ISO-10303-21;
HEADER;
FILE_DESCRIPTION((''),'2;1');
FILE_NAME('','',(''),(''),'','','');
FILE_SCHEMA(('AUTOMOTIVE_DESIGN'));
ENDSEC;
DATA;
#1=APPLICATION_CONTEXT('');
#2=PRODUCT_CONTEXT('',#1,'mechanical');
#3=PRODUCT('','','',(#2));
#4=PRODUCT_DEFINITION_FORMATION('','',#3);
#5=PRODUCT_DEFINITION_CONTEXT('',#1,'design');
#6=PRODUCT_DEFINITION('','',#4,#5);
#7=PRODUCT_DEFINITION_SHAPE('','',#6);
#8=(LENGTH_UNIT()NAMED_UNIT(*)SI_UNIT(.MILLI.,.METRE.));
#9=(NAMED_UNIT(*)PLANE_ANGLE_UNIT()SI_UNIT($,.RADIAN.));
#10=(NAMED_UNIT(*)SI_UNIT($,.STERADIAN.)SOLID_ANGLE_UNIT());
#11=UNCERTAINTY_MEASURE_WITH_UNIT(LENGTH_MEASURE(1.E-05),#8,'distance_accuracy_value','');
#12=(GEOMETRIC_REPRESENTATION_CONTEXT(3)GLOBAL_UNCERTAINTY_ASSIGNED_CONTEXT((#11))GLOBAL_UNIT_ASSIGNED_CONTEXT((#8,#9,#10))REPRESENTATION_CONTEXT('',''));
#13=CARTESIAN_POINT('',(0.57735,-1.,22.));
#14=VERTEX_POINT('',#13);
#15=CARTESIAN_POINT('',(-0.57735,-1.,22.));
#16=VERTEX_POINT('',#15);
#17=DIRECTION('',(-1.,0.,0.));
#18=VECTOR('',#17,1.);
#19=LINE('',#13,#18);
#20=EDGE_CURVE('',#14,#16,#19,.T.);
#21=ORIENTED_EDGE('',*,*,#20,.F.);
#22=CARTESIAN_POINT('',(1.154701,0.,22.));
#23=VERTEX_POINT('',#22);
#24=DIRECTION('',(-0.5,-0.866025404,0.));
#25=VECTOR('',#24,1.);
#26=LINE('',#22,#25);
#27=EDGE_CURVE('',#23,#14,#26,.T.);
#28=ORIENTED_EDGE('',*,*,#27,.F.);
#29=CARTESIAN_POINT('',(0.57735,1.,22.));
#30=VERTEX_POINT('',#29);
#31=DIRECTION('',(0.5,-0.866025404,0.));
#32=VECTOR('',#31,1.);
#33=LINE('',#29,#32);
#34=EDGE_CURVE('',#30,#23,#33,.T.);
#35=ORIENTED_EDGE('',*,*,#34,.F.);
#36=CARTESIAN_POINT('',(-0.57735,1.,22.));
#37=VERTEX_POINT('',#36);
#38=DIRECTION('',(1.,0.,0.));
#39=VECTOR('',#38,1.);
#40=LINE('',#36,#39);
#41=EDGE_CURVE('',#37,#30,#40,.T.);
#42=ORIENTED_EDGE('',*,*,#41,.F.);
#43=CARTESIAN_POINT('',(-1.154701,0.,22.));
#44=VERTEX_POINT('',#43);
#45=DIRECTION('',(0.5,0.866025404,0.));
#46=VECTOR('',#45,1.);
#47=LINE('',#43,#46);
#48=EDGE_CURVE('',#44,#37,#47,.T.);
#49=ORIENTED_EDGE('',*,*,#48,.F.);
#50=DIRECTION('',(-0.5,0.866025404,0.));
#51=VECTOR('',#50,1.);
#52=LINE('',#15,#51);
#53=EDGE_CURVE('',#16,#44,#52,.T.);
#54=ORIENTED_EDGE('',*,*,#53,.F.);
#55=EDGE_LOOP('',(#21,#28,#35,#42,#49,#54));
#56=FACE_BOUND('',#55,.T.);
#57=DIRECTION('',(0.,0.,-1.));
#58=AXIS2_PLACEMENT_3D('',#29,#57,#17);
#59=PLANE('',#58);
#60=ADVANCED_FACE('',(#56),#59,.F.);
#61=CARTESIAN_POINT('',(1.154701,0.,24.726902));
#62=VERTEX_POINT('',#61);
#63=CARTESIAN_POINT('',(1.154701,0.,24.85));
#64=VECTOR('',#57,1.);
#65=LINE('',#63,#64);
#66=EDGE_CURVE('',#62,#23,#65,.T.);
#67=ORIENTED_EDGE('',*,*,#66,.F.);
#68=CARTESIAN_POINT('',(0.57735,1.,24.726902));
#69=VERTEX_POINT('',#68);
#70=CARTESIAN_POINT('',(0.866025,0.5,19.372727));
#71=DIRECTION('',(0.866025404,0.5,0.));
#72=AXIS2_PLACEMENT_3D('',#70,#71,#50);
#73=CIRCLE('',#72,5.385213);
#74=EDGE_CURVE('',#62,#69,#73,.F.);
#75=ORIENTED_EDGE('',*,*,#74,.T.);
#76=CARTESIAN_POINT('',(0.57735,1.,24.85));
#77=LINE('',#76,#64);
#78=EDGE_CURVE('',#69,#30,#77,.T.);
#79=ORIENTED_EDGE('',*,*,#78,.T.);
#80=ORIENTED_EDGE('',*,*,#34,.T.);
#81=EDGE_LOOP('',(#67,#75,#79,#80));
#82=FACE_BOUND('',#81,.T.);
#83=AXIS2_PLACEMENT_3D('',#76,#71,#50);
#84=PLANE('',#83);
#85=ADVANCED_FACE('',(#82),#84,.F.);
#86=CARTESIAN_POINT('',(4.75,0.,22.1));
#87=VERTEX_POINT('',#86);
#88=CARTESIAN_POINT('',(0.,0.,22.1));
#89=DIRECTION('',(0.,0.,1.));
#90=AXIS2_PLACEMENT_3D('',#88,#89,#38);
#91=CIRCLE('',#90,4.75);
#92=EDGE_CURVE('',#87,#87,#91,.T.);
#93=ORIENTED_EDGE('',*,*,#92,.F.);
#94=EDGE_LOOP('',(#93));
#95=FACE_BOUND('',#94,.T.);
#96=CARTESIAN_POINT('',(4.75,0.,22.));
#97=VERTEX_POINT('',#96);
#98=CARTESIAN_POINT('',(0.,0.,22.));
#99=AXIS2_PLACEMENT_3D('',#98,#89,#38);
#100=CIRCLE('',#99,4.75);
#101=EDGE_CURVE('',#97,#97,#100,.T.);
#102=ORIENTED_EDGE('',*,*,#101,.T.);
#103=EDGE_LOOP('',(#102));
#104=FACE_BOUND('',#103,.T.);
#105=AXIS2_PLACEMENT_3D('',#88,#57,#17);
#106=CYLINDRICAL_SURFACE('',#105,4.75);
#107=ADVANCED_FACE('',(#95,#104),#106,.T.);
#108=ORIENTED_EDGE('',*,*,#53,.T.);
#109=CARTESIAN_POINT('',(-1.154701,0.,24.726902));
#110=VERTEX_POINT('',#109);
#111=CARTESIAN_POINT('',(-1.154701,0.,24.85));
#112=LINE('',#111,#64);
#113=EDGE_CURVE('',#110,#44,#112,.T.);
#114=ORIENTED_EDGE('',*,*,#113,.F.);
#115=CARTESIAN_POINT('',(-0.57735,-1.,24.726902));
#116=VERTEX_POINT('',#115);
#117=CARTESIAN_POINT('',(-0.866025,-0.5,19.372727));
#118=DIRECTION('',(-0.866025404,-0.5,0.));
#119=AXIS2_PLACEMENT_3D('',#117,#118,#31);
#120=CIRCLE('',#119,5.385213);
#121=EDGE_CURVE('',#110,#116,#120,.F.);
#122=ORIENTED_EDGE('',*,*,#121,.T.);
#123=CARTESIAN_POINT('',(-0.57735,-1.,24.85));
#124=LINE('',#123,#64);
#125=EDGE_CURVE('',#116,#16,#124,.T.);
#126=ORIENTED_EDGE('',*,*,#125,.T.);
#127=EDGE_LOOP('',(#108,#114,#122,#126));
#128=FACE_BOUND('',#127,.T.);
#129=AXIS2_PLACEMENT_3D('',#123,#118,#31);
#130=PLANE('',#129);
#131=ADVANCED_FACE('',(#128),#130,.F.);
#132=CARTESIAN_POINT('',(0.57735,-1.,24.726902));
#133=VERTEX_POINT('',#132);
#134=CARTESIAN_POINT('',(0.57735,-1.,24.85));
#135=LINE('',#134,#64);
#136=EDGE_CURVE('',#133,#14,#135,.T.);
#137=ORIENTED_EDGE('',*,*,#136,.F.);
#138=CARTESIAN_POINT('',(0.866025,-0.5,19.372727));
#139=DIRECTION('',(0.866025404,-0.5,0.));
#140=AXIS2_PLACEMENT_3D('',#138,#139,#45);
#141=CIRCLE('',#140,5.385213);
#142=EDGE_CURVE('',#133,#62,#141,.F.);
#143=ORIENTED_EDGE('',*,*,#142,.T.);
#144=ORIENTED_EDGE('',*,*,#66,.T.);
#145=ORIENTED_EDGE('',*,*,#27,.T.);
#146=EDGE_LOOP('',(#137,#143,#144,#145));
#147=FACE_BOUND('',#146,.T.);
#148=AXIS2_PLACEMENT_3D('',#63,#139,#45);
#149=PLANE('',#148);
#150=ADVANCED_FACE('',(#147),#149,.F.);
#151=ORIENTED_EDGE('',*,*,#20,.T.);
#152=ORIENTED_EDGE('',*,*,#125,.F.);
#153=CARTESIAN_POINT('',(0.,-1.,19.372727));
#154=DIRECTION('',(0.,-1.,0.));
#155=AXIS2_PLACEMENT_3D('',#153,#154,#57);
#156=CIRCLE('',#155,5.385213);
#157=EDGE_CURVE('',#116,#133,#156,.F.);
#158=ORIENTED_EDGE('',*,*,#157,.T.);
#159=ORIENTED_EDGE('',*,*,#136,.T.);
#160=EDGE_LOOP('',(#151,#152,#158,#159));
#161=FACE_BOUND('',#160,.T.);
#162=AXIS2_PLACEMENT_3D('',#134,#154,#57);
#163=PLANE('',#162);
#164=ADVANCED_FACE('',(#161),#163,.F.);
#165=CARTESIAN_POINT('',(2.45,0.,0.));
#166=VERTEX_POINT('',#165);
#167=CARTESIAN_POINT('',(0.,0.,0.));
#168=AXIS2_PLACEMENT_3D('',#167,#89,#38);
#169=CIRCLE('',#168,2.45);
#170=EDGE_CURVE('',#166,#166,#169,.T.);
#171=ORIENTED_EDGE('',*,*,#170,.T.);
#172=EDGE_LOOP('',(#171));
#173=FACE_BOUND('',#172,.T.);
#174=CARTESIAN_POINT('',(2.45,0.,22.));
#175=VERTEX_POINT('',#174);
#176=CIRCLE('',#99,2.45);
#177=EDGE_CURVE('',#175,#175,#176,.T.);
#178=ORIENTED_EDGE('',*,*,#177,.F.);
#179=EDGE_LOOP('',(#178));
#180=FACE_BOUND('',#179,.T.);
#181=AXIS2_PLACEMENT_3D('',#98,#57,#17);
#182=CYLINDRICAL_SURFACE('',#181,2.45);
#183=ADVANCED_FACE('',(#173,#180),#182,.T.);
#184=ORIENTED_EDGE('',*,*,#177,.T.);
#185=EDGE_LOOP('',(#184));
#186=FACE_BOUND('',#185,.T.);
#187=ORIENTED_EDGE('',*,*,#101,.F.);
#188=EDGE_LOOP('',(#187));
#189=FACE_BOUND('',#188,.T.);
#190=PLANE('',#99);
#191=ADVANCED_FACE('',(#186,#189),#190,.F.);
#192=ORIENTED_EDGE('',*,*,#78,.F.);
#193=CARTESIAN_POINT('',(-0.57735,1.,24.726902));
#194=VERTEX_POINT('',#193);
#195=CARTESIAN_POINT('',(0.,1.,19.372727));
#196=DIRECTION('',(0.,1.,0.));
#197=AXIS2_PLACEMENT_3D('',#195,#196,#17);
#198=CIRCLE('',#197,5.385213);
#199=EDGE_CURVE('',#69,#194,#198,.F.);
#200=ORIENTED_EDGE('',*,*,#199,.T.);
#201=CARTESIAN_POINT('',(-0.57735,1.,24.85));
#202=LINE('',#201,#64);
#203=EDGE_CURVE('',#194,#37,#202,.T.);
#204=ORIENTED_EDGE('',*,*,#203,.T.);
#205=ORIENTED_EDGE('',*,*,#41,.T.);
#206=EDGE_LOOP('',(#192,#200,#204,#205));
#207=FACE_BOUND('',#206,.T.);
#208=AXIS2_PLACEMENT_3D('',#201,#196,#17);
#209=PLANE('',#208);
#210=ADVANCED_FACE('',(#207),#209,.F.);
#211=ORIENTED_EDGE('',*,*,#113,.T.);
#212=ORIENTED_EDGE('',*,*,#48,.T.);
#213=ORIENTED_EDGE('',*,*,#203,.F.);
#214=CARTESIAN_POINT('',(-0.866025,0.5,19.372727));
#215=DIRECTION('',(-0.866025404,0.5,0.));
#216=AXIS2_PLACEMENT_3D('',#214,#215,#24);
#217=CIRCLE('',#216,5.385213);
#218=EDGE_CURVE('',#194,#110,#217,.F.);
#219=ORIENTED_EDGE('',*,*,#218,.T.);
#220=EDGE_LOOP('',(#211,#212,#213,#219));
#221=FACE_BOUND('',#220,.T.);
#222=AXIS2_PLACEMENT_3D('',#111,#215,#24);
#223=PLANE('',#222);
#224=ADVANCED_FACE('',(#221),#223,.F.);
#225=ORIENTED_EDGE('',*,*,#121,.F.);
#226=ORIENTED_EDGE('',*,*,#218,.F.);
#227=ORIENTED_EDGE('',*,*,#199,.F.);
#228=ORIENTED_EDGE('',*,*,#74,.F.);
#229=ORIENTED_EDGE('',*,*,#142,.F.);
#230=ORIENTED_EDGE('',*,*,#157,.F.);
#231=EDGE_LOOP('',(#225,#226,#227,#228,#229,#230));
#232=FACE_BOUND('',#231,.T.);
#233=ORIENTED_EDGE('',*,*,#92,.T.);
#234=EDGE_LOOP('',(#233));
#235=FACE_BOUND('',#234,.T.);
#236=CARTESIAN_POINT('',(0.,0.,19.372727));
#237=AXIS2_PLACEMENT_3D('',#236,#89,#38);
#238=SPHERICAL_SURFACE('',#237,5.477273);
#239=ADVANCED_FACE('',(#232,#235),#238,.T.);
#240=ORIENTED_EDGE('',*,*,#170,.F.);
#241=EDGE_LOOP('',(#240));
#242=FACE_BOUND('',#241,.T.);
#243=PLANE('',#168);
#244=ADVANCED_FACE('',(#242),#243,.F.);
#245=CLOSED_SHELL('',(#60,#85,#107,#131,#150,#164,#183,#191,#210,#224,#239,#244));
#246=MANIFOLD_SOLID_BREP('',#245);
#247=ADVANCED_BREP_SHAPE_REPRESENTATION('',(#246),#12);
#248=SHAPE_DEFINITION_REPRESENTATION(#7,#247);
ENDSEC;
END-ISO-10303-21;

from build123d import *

# Parameters (mm, degrees)
SKETCH1_R            = 2.45
BOSS_SHAFT_DEPTH     = 22
SKETCH2_R            = 4.75
BOSS_HEAD_BASE_DEPTH = 0.1
DOME_M5_FACE_RADIUS  = 4.75
DOME_M5_HEIGHT       = 2.75
CUT_HEX_DEPTH        = 3.85


with BuildPart() as part:
    # Sketch1 → Boss-Shaft (new body)
    with BuildSketch(Plane.XY):
        Circle(SKETCH1_R)
    extrude(amount=BOSS_SHAFT_DEPTH)

    # Sketch2 → Boss-Head Base (add)
    with BuildSketch(Plane.XY.offset(22)):
        Circle(SKETCH2_R)
    extrude(amount=BOSS_HEAD_BASE_DEPTH)

    # Dome-M5: a dome of height H over a round flat face of radius A is a cap of a sphere of radius (A * A + H * H) / (2 * H)
    dome_m5_r = (DOME_M5_FACE_RADIUS * DOME_M5_FACE_RADIUS + DOME_M5_HEIGHT * DOME_M5_HEIGHT) / (2 * DOME_M5_HEIGHT)
    dome_m5_base = Plane((0, 0, 22.1), z_dir=(0, 0, 1))
    with Locations(dome_m5_base.offset(DOME_M5_HEIGHT - dome_m5_r)):
        dome_m5_ball = Sphere(dome_m5_r, mode=Mode.PRIVATE)
    add(split(dome_m5_ball, bisect_by=dome_m5_base, keep=Keep.TOP, mode=Mode.PRIVATE))

    # Sketch3 → Cut-Hex (cut, through all)
    with BuildSketch(Plane(origin=(0, 0, 22), x_dir=(-1, 0, 0), z_dir=(0, 0, -1))):
        Polygon((-0.577350269, 1), (-1.154700538, 0), (-0.577350269, -1), (0.577350269, -1), (1.154700538, 0), (0.577350269, 1), align=None)
    extrude(amount=-CUT_HEX_DEPTH, mode=Mode.SUBTRACT)


solid = part.part
